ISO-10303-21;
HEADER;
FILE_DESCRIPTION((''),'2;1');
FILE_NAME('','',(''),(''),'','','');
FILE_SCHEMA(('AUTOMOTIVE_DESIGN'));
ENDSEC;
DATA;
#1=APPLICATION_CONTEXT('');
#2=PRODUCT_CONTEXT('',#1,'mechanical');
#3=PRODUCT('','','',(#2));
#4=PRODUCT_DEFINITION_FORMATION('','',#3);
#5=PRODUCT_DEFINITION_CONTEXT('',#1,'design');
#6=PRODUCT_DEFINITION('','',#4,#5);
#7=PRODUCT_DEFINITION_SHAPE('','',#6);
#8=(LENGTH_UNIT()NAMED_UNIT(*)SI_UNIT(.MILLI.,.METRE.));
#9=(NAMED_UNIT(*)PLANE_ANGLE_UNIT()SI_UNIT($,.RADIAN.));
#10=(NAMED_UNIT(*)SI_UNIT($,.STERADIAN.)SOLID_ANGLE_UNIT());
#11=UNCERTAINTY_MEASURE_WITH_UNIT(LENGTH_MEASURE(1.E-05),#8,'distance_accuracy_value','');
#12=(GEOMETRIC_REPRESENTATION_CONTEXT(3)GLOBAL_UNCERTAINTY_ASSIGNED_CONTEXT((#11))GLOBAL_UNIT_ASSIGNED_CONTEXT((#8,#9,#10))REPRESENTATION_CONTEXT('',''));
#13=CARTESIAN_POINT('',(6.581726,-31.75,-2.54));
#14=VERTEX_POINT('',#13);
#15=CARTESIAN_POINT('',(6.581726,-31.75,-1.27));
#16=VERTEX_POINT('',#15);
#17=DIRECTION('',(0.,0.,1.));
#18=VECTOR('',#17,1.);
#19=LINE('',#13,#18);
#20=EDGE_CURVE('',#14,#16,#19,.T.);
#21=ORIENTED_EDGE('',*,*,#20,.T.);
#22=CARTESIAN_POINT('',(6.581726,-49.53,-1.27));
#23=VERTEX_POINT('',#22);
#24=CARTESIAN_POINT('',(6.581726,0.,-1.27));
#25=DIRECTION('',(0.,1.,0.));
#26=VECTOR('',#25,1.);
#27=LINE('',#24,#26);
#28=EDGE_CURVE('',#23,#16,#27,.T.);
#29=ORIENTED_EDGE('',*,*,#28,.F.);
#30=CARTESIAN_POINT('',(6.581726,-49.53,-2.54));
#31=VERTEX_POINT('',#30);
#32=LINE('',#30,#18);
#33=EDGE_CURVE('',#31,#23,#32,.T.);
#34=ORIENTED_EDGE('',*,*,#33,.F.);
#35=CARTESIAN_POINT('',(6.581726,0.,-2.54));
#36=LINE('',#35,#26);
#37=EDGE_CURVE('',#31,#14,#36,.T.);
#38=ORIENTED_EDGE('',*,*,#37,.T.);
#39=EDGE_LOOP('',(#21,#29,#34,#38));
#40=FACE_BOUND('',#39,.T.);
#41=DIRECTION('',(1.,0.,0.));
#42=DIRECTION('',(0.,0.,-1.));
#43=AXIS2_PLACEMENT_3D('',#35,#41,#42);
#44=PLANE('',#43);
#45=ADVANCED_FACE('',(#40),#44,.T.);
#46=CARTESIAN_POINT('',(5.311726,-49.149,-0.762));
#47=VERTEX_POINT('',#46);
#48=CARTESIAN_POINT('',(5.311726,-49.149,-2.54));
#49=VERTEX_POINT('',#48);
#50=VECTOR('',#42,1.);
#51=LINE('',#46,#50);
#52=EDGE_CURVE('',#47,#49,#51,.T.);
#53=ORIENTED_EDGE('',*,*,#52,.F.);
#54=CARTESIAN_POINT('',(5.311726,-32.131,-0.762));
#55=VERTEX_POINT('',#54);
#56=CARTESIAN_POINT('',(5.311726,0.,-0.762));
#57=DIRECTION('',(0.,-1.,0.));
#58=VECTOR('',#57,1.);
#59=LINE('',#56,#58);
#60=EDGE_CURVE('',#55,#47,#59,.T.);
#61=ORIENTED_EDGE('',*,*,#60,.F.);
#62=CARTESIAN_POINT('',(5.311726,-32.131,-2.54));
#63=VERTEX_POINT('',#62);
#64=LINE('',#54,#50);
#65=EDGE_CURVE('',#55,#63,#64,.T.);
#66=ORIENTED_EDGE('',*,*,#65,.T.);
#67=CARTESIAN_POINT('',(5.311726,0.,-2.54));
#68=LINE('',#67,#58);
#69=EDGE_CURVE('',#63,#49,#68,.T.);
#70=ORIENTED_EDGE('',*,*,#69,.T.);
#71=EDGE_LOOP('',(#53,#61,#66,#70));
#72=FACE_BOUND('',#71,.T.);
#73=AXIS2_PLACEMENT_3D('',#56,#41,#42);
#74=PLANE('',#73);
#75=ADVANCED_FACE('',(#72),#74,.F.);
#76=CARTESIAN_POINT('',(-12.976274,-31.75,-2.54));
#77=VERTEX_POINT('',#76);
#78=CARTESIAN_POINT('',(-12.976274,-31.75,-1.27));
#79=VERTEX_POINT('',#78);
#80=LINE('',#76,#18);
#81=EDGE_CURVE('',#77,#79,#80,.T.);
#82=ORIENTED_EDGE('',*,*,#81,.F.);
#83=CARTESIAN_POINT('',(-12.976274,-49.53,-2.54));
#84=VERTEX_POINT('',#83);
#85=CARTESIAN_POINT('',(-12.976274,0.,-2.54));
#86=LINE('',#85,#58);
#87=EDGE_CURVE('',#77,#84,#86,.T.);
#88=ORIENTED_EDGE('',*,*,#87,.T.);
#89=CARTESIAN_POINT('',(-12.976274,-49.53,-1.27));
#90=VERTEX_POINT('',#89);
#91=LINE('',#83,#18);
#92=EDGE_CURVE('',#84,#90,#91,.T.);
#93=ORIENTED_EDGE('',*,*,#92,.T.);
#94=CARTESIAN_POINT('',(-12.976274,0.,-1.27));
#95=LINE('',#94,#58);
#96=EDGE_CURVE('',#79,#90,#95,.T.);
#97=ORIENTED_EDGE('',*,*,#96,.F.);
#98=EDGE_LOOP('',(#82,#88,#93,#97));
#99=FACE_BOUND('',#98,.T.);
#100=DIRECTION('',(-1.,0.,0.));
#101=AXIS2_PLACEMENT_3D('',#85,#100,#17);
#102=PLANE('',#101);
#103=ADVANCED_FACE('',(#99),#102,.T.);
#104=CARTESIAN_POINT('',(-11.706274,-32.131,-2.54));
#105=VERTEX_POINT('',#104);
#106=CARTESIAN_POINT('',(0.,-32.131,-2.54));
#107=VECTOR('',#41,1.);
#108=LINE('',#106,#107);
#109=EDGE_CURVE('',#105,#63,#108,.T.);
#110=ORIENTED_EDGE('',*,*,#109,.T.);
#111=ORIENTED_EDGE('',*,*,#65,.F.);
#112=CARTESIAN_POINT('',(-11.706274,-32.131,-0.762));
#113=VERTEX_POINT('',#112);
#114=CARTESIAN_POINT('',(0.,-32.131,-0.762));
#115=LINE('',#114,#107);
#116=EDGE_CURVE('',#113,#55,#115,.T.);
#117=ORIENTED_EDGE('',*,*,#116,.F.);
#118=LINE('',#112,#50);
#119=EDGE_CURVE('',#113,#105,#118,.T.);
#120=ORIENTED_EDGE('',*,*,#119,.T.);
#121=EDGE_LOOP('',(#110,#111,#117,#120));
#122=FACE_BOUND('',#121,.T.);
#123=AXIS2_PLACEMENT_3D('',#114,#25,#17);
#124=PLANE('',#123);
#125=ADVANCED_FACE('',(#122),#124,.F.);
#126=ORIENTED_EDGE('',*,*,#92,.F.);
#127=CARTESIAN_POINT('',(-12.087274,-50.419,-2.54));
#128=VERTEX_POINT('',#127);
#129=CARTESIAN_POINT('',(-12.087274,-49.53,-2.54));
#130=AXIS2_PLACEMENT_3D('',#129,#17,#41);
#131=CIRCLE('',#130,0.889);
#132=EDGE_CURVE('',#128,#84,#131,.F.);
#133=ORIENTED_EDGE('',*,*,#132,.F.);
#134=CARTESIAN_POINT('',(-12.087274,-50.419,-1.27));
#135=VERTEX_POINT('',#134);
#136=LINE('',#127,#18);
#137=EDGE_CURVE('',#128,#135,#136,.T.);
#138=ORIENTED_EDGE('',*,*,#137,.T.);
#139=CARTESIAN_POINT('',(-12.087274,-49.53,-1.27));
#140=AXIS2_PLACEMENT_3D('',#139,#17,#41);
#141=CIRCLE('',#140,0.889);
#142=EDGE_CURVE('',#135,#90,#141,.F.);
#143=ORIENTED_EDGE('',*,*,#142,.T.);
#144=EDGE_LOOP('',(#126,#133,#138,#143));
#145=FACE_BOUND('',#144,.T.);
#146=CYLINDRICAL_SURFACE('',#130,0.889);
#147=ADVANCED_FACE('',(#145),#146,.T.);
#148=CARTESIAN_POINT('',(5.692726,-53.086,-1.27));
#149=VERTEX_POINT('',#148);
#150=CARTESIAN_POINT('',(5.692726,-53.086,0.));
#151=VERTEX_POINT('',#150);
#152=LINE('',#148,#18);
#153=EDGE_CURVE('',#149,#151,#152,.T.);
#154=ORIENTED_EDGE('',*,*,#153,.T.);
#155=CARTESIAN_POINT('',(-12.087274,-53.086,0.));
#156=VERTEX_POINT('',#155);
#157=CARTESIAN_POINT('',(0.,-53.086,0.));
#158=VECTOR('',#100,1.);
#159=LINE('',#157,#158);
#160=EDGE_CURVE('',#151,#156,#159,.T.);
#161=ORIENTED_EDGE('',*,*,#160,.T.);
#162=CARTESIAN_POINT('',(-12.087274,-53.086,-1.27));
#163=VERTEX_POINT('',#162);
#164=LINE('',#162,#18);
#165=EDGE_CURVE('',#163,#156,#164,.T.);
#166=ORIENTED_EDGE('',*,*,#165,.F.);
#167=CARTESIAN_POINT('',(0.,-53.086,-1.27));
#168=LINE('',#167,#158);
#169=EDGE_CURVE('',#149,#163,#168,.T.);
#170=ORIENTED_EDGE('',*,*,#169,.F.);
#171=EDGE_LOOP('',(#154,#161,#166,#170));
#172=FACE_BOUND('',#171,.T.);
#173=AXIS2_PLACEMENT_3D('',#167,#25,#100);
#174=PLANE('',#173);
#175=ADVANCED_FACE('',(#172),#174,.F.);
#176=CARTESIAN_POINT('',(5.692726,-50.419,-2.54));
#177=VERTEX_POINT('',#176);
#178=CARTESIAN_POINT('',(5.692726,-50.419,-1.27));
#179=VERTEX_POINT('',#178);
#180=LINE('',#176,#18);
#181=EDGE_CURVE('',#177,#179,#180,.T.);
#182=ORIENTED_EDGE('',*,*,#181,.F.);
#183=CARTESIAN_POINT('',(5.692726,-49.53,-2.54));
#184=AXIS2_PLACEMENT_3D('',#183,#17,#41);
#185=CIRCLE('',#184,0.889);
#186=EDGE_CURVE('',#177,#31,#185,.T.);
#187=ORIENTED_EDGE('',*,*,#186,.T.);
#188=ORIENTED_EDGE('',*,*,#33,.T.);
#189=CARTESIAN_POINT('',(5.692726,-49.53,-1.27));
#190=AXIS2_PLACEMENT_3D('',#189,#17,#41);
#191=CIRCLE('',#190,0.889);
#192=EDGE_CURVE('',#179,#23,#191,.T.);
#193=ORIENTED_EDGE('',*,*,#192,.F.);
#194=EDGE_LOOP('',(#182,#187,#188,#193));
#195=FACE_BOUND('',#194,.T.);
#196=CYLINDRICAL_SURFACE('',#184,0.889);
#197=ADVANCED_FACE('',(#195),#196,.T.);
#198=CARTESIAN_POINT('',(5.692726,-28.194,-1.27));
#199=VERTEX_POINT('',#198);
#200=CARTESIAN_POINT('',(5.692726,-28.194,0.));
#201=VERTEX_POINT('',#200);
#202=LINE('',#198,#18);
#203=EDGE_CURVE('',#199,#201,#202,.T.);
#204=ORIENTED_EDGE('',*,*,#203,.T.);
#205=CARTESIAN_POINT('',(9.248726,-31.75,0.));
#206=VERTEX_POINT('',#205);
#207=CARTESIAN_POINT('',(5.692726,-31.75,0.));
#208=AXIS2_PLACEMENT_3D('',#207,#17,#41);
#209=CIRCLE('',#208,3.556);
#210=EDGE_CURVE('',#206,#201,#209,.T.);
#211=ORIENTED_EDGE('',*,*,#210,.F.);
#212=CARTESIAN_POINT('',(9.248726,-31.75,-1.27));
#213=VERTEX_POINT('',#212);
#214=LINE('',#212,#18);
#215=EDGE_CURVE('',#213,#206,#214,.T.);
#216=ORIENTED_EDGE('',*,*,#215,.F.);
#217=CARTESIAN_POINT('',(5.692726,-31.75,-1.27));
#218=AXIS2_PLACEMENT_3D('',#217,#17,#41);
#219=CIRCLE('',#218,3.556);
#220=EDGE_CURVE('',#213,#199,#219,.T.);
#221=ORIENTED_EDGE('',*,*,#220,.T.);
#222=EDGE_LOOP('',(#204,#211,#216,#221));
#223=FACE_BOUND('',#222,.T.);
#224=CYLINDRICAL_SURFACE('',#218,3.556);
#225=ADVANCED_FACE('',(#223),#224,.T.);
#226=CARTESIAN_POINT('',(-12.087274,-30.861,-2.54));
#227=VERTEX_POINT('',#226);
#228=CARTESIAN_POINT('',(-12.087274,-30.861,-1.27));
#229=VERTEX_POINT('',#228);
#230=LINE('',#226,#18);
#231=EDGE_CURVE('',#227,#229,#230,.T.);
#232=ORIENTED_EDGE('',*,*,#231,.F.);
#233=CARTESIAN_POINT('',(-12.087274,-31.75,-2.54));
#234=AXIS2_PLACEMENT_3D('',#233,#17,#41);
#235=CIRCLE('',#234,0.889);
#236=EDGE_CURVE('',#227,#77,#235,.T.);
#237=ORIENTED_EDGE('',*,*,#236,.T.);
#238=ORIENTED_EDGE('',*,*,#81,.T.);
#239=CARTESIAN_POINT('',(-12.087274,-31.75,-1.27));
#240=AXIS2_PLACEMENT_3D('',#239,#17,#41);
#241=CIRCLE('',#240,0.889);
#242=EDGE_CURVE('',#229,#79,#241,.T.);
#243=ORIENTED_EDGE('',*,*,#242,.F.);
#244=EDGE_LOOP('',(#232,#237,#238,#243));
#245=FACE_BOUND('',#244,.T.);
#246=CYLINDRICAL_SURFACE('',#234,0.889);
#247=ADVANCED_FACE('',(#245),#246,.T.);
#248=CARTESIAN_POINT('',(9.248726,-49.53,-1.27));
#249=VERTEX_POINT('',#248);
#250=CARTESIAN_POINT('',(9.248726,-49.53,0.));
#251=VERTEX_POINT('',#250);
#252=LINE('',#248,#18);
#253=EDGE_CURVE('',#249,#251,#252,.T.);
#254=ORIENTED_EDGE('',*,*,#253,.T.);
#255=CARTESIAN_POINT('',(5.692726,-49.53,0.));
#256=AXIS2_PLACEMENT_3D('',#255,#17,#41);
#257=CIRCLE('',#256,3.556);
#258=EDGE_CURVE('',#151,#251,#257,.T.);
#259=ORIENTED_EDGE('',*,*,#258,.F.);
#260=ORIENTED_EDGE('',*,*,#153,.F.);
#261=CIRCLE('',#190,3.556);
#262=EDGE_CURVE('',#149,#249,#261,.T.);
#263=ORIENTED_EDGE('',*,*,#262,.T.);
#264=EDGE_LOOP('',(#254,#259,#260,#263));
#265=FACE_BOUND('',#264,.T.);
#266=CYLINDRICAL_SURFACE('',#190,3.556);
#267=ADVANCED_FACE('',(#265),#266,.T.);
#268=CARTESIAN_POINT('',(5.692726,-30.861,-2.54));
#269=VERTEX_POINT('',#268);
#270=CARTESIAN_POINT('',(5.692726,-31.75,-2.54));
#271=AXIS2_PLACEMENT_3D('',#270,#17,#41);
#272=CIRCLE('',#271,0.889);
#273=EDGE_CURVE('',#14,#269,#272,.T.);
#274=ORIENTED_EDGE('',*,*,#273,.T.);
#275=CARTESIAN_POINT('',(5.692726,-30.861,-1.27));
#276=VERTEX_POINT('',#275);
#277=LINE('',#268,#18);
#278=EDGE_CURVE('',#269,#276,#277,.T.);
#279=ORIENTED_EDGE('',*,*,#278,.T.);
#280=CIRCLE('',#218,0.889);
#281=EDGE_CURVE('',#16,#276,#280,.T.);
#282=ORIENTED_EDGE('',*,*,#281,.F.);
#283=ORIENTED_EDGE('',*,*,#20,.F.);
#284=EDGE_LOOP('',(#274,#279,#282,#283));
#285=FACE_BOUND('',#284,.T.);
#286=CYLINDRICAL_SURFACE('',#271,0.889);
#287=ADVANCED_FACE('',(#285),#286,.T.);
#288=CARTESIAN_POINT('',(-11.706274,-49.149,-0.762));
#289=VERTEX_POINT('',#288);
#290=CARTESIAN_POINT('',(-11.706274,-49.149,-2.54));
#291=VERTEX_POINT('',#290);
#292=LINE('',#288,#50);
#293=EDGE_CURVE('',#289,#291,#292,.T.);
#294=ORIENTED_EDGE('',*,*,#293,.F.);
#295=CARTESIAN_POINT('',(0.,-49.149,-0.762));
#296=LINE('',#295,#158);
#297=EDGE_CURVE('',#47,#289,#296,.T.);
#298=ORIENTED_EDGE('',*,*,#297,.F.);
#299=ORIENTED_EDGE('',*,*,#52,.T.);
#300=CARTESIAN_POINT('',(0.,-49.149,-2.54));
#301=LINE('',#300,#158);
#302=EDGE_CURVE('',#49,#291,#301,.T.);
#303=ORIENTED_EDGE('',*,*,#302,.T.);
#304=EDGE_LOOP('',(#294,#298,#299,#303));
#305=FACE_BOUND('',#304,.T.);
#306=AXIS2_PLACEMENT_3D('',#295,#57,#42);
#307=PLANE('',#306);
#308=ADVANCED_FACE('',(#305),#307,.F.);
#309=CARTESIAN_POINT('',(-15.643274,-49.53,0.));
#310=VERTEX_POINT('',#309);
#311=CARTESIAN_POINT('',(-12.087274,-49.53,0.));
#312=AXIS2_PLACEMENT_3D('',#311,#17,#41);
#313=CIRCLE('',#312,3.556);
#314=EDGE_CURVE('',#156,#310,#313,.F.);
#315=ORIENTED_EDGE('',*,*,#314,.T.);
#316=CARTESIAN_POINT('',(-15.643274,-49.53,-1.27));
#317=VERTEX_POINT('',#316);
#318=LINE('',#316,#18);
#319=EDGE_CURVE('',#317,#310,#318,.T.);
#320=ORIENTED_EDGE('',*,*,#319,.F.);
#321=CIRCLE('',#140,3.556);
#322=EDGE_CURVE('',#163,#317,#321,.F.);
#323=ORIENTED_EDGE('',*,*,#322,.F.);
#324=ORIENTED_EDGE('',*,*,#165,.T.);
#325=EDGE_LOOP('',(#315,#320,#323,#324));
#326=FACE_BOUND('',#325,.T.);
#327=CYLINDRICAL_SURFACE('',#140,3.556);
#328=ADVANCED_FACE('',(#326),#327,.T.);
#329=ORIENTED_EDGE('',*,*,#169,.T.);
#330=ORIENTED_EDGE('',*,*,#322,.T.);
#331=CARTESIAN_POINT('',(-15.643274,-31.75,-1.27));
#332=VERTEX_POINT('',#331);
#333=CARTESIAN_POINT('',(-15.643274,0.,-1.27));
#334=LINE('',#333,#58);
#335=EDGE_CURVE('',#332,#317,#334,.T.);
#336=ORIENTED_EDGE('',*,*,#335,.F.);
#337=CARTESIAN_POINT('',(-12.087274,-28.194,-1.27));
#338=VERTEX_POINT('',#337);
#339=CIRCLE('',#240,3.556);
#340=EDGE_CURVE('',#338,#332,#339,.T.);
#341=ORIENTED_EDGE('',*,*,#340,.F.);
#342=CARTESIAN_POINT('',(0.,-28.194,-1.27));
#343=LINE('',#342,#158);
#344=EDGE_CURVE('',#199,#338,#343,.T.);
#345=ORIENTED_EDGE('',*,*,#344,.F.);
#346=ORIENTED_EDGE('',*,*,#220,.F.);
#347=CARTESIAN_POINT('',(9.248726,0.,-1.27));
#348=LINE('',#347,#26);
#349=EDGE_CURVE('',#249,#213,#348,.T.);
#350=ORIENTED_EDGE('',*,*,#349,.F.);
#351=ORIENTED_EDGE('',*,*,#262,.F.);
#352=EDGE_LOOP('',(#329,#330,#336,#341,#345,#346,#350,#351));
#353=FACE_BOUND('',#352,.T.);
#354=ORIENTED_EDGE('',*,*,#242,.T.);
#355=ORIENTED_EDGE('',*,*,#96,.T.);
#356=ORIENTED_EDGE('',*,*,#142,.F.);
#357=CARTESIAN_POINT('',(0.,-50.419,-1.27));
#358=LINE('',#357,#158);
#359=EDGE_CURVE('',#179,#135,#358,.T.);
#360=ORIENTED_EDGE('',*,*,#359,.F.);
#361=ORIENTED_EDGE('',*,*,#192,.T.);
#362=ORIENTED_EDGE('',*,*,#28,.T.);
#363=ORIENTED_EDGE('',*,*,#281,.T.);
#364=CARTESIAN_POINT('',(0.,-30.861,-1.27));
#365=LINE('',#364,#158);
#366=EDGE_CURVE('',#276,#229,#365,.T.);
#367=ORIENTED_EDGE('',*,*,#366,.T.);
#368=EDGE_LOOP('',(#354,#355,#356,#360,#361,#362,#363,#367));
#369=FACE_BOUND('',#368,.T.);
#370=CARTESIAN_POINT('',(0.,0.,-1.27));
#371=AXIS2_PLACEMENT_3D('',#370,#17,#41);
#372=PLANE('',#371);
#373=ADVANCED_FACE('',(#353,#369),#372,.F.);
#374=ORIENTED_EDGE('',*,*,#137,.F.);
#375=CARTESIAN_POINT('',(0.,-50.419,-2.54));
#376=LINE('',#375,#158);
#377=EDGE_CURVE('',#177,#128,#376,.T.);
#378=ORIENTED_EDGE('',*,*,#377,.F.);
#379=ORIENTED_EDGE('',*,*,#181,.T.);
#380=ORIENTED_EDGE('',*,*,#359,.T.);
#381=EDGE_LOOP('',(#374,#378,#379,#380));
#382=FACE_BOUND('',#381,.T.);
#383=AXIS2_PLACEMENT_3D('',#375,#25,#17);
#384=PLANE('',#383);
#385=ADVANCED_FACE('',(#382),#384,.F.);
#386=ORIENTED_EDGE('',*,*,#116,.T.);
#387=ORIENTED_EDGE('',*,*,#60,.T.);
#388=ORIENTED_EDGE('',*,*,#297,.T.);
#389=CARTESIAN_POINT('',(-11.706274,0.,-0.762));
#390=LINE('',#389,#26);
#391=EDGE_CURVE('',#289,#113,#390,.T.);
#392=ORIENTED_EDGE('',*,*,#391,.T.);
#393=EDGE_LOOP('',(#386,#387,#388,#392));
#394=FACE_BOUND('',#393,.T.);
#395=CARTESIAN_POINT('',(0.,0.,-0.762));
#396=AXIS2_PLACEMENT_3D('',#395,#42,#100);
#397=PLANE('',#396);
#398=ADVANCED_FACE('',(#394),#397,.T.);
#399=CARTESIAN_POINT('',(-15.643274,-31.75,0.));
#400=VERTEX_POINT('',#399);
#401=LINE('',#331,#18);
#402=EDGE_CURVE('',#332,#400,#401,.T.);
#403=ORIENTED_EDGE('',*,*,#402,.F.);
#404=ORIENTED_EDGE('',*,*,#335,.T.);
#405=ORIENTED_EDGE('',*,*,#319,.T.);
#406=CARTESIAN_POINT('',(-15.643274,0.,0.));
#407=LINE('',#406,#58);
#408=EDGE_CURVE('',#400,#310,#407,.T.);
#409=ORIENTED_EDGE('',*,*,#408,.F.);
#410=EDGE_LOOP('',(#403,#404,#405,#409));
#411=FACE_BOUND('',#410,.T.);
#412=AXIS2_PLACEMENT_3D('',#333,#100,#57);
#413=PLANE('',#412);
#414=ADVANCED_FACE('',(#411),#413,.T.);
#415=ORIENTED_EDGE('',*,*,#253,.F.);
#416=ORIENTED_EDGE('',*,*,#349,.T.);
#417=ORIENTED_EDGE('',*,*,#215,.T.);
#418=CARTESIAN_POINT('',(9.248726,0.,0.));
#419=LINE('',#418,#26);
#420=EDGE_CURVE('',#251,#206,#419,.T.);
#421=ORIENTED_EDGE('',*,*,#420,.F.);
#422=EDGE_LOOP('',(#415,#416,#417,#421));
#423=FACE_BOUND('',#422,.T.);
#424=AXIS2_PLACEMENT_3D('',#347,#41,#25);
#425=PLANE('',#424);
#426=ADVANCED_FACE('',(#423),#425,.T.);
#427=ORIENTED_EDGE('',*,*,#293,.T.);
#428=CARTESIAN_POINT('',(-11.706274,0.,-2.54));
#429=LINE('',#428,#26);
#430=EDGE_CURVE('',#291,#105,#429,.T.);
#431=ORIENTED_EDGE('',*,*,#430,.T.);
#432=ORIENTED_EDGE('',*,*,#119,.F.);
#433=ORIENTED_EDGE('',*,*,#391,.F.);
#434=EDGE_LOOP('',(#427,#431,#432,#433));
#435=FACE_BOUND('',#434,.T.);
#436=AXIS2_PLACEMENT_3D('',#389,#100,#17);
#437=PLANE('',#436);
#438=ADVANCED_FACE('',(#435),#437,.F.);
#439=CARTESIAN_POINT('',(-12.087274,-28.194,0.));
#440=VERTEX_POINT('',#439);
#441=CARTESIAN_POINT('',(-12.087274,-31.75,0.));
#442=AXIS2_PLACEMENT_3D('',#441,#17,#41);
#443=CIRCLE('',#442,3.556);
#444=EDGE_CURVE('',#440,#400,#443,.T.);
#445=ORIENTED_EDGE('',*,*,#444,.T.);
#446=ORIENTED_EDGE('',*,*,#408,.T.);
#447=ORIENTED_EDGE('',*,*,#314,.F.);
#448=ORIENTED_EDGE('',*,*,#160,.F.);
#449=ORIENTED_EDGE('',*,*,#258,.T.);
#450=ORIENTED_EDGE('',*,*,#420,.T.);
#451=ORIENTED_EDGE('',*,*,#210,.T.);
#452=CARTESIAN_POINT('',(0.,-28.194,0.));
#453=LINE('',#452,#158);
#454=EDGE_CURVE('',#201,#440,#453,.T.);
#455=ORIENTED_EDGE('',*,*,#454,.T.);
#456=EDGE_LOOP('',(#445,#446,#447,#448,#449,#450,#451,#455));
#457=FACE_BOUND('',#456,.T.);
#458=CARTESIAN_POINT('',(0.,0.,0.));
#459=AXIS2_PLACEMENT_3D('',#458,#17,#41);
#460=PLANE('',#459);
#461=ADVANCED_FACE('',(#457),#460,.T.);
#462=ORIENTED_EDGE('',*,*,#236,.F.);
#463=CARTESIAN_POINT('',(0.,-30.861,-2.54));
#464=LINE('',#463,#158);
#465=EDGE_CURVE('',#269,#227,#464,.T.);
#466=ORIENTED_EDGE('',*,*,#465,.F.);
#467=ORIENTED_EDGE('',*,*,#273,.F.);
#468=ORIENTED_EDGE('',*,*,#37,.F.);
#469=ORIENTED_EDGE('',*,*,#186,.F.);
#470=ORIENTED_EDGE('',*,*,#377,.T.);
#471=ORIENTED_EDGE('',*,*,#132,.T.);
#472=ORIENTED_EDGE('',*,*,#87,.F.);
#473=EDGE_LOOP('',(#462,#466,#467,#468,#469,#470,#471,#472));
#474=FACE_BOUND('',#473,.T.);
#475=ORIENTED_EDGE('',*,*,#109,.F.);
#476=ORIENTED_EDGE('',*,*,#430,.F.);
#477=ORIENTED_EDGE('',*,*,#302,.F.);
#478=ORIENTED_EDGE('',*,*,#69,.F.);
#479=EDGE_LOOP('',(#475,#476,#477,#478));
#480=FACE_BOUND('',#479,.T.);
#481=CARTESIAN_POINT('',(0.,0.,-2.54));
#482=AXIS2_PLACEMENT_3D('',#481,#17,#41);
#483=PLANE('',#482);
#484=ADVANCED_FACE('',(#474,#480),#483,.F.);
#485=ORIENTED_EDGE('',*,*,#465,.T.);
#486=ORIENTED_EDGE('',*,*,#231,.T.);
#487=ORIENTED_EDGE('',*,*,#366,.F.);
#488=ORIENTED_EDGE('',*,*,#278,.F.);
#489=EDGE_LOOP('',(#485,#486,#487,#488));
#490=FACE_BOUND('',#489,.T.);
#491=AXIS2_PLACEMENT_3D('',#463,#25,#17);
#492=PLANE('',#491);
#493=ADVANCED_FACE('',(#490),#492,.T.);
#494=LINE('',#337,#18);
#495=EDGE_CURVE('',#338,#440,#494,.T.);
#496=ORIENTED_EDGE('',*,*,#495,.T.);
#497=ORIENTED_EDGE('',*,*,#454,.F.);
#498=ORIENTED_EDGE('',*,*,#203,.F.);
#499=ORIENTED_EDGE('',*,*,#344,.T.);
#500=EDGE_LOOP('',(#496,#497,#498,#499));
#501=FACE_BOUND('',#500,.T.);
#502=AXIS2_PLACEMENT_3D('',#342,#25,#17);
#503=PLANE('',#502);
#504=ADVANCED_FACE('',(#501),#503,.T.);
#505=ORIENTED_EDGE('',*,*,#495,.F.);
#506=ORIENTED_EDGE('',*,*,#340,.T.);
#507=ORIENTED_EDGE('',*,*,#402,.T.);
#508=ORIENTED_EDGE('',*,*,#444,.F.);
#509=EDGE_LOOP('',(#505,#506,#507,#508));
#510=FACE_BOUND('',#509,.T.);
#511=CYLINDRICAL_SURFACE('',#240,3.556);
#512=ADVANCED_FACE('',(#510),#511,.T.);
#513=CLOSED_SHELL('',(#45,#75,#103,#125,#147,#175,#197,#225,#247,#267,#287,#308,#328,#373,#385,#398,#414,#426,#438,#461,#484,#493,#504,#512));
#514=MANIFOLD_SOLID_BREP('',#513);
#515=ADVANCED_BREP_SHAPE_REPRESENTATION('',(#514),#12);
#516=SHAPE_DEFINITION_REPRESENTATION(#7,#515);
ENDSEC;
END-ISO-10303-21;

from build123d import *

# Parameters (mm, degrees)
BOSS_EXTRUDE1_DEPTH = 1.27
BOSS_EXTRUDE2_DEPTH = 2.54
SKETCH2_W           = 17.018
SKETCH2_H           = 17.018
CUT_EXTRUDE1_DEPTH  = 1.778


with BuildPart() as part:
    # Sketch1 → Boss-Extrude1 (new body)
    with BuildSketch(Plane.XY):
        with BuildLine():
            ThreePointArc((9.248726154, -31.75), (8.207197868, -29.235528286), (5.692726154, -28.194))
            Line((5.692726154, -28.194), (-12.087273846, -28.194))
            ThreePointArc((-12.087273846, -28.194), (-14.60174556, -29.235528286), (-15.643273846, -31.75))
            Line((-15.643273846, -31.75), (-15.643273846, -49.53))
            ThreePointArc((-15.643273846, -49.53), (-14.60174556, -52.044471714), (-12.087273846, -53.086))
            Line((-12.087273846, -53.086), (5.692726154, -53.086))
            ThreePointArc((5.692726154, -53.086), (8.207197868, -52.044471714), (9.248726154, -49.53))
            Line((9.248726154, -49.53), (9.248726154, -31.75))
        make_face()
        with BuildLine():
            Line((6.581726154, -31.75), (6.581726154, -49.53))
            ThreePointArc((6.581726154, -49.53), (6.321344082, -50.158617928), (5.692726154, -50.419))
            Line((5.692726154, -50.419), (-12.087273846, -50.419))
            ThreePointArc((-12.087273846, -50.419), (-12.715891775, -50.158617928), (-12.976273846, -49.53))
            Line((-12.976273846, -49.53), (-12.976273846, -31.75))
            ThreePointArc((-12.976273846, -31.75), (-12.715891775, -31.121382072), (-12.087273846, -30.861))
            Line((-12.087273846, -30.861), (5.692726154, -30.861))
            ThreePointArc((5.692726154, -30.861), (6.321344082, -31.121382072), (6.581726154, -31.75))
        make_face(mode=Mode.SUBTRACT)
    extrude(amount=-BOSS_EXTRUDE1_DEPTH)

    # Sketch1<3> → Boss-Extrude2 (add)
    with BuildSketch(Plane.XY):
        with BuildLine():
            ThreePointArc((5.692726154, -50.419), (6.321344082, -50.158617928), (6.581726154, -49.53))
            Line((6.581726154, -49.53), (6.581726154, -31.75))
            ThreePointArc((6.581726154, -31.75), (6.321344082, -31.121382072), (5.692726154, -30.861))
            Line((5.692726154, -30.861), (-12.087273846, -30.861))
            ThreePointArc((-12.087273846, -30.861), (-12.715891775, -31.121382072), (-12.976273846, -31.75))
            Line((-12.976273846, -31.75), (-12.976273846, -49.53))
            ThreePointArc((-12.976273846, -49.53), (-12.715891775, -50.158617928), (-12.087273846, -50.419))
            Line((-12.087273846, -50.419), (5.692726154, -50.419))
        make_face()
    extrude(amount=-BOSS_EXTRUDE2_DEPTH)

    # Sketch2 → Cut-Extrude1 (cut)
    with BuildSketch(Plane(origin=(0, 0, -2.54), x_dir=(-1, 0, 0), z_dir=(0, 0, -1))):
        with Locations((3.197273846, -40.64)):
            Rectangle(SKETCH2_W, SKETCH2_H)
    extrude(amount=-CUT_EXTRUDE1_DEPTH, mode=Mode.SUBTRACT)


solid = part.part
